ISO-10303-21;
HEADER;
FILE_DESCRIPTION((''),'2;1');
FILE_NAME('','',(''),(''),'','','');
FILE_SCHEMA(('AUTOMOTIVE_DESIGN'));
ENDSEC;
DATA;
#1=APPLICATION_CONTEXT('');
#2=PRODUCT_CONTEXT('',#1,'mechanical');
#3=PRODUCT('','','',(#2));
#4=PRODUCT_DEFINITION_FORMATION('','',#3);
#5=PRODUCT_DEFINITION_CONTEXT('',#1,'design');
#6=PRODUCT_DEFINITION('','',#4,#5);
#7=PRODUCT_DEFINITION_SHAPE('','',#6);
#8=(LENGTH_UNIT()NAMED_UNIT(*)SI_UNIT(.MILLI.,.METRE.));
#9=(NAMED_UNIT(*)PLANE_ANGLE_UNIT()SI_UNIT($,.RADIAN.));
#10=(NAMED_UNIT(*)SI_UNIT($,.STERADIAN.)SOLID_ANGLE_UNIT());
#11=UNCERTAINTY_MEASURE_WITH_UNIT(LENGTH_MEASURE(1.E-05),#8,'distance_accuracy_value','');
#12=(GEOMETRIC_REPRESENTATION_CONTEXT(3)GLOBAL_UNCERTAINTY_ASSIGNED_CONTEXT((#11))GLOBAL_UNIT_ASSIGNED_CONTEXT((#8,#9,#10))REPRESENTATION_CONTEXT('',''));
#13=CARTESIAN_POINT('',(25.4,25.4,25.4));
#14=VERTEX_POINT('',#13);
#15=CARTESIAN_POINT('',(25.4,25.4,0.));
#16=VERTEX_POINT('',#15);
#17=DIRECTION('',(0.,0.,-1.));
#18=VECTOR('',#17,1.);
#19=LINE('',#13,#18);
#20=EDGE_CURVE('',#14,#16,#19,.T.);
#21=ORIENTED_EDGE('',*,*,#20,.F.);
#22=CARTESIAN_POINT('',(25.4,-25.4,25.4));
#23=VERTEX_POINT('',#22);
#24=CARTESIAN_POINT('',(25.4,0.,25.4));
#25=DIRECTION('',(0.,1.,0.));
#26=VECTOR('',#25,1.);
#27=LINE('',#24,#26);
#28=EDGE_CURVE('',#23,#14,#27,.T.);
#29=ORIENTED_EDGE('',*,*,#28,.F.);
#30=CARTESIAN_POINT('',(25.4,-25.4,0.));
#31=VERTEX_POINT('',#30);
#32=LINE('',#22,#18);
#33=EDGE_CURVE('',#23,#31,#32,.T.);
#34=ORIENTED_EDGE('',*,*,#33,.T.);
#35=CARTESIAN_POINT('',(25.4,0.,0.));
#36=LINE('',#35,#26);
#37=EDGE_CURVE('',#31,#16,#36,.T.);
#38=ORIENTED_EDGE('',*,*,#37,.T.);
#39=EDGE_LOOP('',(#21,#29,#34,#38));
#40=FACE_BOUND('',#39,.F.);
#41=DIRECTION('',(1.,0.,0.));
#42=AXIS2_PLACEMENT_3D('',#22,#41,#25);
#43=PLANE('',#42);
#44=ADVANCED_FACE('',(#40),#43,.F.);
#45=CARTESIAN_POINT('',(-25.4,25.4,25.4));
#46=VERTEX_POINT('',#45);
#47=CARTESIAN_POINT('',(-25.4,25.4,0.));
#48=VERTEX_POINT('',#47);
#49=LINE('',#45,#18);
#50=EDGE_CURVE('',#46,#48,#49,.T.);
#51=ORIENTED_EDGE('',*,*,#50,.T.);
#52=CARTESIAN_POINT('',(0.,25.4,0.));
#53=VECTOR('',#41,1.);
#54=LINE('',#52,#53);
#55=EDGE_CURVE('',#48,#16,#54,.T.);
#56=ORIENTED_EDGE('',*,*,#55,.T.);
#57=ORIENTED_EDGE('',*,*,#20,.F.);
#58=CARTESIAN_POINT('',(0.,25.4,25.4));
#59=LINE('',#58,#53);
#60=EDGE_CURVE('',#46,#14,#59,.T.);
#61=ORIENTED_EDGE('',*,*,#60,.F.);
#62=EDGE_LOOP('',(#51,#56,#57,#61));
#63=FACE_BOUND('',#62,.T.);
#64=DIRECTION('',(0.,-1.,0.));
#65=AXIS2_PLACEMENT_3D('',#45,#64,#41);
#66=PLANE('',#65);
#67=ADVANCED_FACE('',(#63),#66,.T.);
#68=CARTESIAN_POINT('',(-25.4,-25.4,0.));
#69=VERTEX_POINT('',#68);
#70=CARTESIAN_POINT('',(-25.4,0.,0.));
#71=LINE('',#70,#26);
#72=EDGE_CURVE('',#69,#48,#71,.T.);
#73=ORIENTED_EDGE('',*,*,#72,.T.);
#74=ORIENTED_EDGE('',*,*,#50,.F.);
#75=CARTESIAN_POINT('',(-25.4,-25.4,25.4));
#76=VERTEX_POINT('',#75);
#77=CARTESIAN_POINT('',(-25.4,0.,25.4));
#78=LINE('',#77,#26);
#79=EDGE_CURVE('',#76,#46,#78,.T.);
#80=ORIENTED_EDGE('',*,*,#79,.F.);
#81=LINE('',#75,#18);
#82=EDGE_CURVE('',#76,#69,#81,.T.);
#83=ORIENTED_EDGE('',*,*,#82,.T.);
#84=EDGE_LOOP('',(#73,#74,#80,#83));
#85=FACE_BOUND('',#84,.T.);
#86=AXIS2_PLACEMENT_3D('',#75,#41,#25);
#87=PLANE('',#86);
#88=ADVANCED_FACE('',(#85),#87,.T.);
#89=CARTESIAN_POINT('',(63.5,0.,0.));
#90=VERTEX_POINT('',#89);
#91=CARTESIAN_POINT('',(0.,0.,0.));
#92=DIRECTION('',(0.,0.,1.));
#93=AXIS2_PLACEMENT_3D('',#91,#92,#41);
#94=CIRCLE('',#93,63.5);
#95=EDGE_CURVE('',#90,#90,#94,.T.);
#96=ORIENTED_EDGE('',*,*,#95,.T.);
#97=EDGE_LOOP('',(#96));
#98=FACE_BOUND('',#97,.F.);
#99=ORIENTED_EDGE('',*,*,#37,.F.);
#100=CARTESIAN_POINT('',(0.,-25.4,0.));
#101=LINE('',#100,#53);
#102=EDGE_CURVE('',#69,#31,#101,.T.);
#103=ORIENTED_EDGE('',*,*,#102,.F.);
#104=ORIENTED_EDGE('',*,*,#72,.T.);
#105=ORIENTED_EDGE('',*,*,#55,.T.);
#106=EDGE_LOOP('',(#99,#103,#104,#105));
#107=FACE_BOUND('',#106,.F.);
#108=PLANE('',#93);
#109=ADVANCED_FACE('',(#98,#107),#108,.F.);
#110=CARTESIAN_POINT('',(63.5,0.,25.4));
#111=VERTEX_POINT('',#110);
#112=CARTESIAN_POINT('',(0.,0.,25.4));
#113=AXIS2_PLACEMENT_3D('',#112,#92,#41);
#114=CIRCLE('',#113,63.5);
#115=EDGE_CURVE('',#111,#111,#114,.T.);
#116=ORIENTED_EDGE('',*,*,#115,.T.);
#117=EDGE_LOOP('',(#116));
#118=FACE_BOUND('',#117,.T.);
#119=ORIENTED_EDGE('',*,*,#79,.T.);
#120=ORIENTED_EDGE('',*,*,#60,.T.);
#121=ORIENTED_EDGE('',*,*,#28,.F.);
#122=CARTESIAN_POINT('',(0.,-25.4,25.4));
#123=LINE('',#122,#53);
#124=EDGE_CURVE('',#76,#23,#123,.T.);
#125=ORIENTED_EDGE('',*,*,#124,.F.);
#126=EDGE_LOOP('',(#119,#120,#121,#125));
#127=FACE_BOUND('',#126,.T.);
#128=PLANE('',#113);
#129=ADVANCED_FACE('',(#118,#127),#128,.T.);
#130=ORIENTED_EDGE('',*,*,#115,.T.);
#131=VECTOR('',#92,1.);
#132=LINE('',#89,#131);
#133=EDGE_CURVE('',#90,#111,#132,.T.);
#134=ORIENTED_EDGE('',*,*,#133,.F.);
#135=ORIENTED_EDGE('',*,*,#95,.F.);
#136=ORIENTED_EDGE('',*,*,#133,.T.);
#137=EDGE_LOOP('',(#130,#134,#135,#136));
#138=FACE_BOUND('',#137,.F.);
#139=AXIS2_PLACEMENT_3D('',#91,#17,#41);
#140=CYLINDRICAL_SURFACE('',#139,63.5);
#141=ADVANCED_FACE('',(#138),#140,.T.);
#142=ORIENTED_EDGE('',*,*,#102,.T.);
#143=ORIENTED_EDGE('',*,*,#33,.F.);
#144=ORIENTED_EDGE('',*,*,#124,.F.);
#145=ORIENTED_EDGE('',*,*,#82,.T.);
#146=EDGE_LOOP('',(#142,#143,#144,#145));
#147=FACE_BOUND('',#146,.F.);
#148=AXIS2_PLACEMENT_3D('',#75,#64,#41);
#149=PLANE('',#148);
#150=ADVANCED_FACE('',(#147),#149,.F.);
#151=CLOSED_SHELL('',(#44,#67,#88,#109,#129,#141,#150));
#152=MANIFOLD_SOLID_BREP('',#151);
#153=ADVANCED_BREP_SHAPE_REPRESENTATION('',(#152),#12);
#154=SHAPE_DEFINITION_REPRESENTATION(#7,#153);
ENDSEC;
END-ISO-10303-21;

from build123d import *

# Parameters (mm, degrees)
F0_R     = 63.5
F1_DEPTH = 25.4
F2_W     = 50.8
F2_H     = 50.8
F3_DEPTH = 25.4


with BuildPart() as f1:
    # F0 (on Top) → F1 (new body)
    with BuildSketch(Plane.XY):
        Circle(F0_R)
    extrude(amount=F1_DEPTH)

    # F2 (on face) → F3 (cut, through all)
    with BuildSketch(Plane.XY.offset(25.4)):
        Rectangle(F2_W, F2_H)
    extrude(amount=-F3_DEPTH, mode=Mode.SUBTRACT)


solid = f1.part
